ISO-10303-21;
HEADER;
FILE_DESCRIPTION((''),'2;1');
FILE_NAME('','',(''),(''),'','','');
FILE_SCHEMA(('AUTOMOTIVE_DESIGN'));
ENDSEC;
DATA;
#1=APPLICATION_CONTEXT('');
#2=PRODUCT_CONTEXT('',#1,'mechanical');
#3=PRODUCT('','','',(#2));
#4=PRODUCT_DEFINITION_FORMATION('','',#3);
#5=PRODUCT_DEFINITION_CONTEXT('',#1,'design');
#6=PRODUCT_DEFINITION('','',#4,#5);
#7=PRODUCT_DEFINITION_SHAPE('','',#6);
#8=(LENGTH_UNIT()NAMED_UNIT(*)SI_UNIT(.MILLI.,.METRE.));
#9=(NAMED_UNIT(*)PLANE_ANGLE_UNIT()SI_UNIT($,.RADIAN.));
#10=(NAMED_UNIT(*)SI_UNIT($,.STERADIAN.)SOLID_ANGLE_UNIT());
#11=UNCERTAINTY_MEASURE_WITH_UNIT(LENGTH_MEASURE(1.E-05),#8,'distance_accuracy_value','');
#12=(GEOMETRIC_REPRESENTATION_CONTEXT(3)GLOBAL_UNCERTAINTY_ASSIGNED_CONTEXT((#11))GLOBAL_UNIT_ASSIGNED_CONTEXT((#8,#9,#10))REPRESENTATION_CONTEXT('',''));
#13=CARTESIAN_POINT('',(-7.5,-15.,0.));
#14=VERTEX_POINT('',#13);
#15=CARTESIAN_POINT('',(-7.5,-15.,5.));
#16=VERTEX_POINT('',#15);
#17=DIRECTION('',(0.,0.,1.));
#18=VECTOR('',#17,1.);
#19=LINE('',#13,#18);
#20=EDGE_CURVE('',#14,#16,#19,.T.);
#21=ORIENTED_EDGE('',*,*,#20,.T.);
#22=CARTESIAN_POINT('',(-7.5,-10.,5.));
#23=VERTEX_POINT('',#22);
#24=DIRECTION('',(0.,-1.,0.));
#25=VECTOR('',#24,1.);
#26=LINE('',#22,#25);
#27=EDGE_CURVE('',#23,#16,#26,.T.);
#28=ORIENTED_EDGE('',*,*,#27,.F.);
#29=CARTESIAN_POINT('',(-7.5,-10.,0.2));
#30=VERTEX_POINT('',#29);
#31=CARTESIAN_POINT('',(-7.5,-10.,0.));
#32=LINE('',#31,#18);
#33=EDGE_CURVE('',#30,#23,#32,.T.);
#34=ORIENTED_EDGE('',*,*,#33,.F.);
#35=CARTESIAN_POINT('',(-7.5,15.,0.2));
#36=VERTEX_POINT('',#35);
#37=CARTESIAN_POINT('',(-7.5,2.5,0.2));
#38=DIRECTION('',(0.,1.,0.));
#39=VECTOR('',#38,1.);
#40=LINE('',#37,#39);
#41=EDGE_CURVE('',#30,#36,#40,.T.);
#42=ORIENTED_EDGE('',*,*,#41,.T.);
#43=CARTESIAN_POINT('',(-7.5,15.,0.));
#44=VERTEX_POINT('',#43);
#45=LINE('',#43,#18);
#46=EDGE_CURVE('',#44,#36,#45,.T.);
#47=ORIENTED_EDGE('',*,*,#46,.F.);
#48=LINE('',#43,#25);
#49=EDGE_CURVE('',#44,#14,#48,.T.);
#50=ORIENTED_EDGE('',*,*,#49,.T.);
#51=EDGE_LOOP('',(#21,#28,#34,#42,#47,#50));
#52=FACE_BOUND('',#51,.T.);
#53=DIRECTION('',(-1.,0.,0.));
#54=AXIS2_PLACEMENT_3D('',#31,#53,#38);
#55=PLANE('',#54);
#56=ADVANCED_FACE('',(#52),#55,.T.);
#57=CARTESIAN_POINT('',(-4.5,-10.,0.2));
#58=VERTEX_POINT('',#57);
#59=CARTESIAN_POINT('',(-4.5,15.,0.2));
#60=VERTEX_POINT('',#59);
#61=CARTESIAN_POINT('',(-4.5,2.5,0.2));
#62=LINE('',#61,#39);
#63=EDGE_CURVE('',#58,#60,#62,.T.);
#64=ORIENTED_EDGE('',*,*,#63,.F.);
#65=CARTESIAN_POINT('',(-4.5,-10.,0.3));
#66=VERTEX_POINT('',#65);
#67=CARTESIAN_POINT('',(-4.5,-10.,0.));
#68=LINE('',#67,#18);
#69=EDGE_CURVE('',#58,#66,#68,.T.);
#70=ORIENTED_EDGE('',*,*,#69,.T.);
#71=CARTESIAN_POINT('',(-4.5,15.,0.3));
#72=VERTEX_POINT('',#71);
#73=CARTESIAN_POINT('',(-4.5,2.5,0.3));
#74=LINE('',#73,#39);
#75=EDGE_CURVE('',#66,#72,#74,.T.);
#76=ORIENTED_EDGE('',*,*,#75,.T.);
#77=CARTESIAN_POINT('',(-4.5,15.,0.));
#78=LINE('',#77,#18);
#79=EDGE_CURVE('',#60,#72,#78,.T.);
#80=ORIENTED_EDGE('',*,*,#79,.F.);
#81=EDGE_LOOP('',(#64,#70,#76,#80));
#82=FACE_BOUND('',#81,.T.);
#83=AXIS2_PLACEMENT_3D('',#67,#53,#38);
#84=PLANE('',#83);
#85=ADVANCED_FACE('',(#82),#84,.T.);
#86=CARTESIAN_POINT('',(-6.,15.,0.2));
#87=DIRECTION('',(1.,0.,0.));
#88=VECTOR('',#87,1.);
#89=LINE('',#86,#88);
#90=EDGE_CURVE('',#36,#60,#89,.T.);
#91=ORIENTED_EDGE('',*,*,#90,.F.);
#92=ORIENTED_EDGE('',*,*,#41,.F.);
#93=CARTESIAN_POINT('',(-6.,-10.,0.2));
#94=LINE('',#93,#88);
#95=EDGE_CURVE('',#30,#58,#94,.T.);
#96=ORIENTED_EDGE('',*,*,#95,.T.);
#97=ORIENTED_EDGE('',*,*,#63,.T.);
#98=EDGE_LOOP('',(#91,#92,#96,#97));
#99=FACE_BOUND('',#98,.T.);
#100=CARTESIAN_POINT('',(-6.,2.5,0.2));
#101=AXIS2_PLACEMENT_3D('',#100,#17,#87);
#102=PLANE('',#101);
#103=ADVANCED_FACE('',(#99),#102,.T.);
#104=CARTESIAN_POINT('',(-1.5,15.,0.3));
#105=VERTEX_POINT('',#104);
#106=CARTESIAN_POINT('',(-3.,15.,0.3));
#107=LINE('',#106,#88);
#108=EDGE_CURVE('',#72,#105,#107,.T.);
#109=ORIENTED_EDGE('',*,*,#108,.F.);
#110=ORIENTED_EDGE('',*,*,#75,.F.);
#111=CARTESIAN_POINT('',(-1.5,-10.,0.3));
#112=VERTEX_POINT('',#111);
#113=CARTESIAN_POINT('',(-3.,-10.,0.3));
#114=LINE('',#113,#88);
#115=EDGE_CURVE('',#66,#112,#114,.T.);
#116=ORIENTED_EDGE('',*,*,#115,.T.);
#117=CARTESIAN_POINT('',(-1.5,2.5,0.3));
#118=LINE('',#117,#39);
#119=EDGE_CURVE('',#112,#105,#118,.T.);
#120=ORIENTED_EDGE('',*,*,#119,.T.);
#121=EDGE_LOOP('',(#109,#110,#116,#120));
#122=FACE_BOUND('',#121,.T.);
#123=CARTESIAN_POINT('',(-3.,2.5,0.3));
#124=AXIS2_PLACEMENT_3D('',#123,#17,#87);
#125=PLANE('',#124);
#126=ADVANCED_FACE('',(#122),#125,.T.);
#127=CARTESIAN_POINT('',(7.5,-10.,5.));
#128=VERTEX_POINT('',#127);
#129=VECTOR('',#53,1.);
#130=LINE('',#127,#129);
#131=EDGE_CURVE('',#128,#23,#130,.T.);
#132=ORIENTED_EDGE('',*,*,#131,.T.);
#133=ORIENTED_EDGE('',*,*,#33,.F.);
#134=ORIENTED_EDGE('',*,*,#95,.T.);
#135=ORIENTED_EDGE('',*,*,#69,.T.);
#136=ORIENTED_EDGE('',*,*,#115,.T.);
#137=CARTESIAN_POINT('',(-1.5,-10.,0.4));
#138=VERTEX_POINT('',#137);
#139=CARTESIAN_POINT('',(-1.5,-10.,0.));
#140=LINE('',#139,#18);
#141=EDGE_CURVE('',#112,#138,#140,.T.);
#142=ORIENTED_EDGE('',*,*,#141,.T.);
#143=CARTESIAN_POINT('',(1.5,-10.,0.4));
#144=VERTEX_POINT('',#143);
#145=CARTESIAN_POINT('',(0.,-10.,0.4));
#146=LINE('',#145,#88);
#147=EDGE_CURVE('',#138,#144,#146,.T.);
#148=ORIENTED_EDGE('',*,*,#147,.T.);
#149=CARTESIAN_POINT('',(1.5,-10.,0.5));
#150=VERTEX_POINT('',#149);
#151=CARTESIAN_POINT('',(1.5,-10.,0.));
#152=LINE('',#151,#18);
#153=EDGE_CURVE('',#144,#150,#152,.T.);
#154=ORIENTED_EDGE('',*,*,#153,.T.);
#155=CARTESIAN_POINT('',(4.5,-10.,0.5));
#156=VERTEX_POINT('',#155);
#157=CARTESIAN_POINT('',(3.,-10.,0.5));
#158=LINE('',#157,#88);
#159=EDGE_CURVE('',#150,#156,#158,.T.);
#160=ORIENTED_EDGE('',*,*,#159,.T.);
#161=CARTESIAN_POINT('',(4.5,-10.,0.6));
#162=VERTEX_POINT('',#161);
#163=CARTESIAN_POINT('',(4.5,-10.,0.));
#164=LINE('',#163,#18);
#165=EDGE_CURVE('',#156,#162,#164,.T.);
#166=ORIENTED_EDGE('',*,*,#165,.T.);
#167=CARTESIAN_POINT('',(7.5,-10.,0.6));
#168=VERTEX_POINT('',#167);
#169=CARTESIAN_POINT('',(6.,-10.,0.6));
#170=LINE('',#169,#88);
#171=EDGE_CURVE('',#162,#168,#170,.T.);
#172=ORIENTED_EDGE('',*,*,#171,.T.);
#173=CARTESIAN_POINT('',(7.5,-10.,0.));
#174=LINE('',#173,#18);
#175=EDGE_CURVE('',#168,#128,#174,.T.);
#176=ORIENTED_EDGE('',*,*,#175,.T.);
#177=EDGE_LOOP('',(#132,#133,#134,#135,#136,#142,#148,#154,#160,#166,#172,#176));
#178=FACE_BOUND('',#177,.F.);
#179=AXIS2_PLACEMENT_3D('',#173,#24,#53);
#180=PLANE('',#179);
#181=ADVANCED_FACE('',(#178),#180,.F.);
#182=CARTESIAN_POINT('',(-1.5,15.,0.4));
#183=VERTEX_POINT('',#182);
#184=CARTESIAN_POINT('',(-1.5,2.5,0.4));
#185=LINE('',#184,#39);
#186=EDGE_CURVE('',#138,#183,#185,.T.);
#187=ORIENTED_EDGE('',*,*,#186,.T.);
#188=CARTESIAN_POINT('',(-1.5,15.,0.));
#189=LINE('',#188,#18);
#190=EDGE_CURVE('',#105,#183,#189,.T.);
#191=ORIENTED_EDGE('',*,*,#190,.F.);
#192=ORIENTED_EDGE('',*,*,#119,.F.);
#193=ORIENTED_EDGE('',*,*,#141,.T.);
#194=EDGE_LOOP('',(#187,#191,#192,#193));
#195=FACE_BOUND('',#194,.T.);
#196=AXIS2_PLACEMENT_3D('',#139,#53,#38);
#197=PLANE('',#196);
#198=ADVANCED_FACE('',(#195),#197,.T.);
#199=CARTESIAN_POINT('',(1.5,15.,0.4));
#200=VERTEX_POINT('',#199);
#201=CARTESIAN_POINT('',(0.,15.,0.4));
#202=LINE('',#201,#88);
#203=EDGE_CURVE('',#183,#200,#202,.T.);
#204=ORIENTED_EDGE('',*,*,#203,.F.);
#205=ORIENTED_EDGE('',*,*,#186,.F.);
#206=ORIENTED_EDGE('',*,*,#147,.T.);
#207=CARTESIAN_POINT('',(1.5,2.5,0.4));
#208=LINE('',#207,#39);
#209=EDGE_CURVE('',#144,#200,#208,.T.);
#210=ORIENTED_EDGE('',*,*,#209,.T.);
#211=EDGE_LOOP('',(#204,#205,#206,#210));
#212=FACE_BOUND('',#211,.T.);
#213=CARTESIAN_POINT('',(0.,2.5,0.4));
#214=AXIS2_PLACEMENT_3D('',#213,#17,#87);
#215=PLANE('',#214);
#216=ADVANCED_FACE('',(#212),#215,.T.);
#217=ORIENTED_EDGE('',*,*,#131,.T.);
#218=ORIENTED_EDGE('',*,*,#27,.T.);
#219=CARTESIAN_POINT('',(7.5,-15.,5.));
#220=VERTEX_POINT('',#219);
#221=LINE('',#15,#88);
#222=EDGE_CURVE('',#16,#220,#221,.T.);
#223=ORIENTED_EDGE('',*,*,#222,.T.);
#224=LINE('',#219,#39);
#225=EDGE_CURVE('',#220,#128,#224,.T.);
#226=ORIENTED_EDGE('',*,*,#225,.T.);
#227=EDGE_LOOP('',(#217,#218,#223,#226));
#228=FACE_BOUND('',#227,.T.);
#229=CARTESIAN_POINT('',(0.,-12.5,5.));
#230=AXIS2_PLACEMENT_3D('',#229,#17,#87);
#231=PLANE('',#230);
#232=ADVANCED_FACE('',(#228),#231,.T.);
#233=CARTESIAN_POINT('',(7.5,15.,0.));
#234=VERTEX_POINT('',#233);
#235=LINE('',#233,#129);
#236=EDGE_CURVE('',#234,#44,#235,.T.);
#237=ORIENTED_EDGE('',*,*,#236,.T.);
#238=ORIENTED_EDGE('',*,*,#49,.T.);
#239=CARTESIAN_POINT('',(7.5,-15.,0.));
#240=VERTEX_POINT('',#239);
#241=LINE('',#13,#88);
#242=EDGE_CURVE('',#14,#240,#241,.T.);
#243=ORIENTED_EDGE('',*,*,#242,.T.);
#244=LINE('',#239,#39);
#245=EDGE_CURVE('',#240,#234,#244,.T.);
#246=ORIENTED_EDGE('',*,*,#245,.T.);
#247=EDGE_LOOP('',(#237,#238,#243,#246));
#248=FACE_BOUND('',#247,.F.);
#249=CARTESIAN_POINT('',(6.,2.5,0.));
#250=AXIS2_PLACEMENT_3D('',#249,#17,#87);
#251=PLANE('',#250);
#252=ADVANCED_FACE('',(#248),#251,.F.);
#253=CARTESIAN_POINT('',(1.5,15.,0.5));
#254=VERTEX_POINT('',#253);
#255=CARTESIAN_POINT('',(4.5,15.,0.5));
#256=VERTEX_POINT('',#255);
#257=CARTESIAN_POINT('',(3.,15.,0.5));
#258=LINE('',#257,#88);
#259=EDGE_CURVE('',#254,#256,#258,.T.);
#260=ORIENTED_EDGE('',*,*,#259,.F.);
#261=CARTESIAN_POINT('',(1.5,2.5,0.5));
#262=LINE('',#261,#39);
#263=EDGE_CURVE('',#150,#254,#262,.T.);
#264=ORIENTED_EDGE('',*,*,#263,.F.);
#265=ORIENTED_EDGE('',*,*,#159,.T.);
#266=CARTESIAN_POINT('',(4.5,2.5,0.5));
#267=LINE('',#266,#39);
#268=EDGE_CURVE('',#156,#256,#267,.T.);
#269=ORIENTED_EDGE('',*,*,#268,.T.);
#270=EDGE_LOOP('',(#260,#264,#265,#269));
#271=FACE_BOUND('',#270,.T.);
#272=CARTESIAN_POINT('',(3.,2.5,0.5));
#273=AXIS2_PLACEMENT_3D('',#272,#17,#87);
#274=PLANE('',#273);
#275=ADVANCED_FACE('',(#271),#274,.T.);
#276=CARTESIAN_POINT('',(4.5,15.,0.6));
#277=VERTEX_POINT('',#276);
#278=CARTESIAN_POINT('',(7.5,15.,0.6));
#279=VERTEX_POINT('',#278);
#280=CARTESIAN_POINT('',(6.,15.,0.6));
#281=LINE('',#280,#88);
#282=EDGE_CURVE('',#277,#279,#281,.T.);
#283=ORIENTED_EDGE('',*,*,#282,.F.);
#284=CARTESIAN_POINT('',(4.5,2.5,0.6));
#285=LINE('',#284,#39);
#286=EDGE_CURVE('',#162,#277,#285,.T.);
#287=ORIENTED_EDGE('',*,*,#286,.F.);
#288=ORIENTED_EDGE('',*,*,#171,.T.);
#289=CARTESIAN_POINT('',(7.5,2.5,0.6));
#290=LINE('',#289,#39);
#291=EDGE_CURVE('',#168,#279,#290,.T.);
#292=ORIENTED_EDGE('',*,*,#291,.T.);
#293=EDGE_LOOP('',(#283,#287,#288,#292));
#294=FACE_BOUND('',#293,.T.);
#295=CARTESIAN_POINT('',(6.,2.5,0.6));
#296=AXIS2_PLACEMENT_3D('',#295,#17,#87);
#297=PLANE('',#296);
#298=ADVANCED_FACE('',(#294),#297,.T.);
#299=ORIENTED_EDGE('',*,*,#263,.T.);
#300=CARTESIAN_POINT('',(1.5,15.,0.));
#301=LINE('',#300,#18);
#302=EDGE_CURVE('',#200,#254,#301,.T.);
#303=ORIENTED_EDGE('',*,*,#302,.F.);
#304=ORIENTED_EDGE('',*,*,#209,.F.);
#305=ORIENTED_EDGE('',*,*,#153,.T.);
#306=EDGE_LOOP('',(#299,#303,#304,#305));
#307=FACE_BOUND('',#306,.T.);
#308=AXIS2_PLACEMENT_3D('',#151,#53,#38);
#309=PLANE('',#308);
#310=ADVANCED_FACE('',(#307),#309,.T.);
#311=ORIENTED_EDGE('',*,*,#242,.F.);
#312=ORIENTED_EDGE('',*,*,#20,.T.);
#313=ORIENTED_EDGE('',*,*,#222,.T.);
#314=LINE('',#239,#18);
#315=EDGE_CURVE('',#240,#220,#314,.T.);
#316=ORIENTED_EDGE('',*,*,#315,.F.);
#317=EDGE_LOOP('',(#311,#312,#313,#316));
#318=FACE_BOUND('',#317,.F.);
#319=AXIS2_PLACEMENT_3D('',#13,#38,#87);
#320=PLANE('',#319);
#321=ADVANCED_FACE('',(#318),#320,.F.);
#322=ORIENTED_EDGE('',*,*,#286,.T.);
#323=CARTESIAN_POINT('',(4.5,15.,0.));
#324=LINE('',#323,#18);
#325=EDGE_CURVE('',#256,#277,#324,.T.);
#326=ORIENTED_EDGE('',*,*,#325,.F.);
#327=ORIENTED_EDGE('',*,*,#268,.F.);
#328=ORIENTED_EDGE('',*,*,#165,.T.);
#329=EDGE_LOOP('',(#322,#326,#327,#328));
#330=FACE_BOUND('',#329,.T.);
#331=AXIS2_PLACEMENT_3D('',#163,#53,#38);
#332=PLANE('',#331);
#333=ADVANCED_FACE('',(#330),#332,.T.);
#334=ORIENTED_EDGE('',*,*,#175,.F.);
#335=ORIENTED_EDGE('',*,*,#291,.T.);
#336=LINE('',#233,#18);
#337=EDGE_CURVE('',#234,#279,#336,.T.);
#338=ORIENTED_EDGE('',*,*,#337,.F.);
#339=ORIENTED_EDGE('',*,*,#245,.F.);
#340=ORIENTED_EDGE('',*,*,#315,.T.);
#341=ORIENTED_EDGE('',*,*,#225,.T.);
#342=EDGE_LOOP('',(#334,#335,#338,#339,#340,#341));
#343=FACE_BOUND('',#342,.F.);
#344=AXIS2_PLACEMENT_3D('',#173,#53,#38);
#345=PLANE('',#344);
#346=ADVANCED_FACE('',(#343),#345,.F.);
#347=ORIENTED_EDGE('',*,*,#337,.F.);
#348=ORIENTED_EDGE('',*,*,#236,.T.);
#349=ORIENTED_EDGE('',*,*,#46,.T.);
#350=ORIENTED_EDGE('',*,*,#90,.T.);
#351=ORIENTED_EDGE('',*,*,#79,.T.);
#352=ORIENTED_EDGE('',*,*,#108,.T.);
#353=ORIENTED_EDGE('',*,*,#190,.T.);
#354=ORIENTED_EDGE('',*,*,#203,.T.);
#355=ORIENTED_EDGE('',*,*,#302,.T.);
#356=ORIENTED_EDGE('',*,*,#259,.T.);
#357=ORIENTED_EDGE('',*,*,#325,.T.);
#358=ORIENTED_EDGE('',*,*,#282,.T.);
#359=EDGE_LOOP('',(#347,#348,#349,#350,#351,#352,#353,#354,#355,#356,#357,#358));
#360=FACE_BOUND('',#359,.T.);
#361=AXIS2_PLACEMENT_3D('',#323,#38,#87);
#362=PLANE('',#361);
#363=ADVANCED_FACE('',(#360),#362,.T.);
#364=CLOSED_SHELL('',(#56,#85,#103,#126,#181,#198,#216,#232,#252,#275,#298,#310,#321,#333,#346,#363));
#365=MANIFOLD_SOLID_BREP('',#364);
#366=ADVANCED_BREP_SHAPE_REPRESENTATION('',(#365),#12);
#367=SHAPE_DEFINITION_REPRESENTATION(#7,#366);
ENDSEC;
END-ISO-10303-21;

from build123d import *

# Parameters (mm, degrees)
F1_DEPTH = 5
F0_W     = 3
F0_H     = 25
F2_DEPTH = 0.2
F3_DEPTH = 0.3
F4_DEPTH = 0.4
F5_DEPTH = 0.5
F6_DEPTH = 0.6


with BuildPart() as f1:
    # F0 (on Top) → F1 (new body)
    with BuildSketch(Plane.XY):
        Polygon((-7.5, -15), (7.5, -15), (7.5, -10), (4.5, -10), (1.5, -10), (-1.5, -10), (-4.5, -10), (-7.5, -10), align=None)
    extrude(amount=F1_DEPTH)

    # F0 (on Top) → F2 (join)
    with BuildSketch(Plane.XY):
        with Locations((-6, 2.5)):
            Rectangle(F0_W, F0_H)
    extrude(amount=F2_DEPTH)

    # F0 (on Top) → F3 (join)
    with BuildSketch(Plane.XY):
        with Locations((-3, 2.5)):
            Rectangle(F0_W, F0_H)
    extrude(amount=F3_DEPTH)

    # F0 (on Top) → F4 (join)
    with BuildSketch(Plane.XY):
        with Locations((0, 2.5)):
            Rectangle(F0_W, F0_H)
    extrude(amount=F4_DEPTH)

    # F0 (on Top) → F5 (join)
    with BuildSketch(Plane.XY):
        with Locations((3, 2.5)):
            Rectangle(F0_W, F0_H)
    extrude(amount=F5_DEPTH)

    # F0 (on Top) → F6 (join)
    with BuildSketch(Plane.XY):
        with Locations((6, 2.5)):
            Rectangle(F0_W, F0_H)
    extrude(amount=F6_DEPTH)


solid = f1.part
